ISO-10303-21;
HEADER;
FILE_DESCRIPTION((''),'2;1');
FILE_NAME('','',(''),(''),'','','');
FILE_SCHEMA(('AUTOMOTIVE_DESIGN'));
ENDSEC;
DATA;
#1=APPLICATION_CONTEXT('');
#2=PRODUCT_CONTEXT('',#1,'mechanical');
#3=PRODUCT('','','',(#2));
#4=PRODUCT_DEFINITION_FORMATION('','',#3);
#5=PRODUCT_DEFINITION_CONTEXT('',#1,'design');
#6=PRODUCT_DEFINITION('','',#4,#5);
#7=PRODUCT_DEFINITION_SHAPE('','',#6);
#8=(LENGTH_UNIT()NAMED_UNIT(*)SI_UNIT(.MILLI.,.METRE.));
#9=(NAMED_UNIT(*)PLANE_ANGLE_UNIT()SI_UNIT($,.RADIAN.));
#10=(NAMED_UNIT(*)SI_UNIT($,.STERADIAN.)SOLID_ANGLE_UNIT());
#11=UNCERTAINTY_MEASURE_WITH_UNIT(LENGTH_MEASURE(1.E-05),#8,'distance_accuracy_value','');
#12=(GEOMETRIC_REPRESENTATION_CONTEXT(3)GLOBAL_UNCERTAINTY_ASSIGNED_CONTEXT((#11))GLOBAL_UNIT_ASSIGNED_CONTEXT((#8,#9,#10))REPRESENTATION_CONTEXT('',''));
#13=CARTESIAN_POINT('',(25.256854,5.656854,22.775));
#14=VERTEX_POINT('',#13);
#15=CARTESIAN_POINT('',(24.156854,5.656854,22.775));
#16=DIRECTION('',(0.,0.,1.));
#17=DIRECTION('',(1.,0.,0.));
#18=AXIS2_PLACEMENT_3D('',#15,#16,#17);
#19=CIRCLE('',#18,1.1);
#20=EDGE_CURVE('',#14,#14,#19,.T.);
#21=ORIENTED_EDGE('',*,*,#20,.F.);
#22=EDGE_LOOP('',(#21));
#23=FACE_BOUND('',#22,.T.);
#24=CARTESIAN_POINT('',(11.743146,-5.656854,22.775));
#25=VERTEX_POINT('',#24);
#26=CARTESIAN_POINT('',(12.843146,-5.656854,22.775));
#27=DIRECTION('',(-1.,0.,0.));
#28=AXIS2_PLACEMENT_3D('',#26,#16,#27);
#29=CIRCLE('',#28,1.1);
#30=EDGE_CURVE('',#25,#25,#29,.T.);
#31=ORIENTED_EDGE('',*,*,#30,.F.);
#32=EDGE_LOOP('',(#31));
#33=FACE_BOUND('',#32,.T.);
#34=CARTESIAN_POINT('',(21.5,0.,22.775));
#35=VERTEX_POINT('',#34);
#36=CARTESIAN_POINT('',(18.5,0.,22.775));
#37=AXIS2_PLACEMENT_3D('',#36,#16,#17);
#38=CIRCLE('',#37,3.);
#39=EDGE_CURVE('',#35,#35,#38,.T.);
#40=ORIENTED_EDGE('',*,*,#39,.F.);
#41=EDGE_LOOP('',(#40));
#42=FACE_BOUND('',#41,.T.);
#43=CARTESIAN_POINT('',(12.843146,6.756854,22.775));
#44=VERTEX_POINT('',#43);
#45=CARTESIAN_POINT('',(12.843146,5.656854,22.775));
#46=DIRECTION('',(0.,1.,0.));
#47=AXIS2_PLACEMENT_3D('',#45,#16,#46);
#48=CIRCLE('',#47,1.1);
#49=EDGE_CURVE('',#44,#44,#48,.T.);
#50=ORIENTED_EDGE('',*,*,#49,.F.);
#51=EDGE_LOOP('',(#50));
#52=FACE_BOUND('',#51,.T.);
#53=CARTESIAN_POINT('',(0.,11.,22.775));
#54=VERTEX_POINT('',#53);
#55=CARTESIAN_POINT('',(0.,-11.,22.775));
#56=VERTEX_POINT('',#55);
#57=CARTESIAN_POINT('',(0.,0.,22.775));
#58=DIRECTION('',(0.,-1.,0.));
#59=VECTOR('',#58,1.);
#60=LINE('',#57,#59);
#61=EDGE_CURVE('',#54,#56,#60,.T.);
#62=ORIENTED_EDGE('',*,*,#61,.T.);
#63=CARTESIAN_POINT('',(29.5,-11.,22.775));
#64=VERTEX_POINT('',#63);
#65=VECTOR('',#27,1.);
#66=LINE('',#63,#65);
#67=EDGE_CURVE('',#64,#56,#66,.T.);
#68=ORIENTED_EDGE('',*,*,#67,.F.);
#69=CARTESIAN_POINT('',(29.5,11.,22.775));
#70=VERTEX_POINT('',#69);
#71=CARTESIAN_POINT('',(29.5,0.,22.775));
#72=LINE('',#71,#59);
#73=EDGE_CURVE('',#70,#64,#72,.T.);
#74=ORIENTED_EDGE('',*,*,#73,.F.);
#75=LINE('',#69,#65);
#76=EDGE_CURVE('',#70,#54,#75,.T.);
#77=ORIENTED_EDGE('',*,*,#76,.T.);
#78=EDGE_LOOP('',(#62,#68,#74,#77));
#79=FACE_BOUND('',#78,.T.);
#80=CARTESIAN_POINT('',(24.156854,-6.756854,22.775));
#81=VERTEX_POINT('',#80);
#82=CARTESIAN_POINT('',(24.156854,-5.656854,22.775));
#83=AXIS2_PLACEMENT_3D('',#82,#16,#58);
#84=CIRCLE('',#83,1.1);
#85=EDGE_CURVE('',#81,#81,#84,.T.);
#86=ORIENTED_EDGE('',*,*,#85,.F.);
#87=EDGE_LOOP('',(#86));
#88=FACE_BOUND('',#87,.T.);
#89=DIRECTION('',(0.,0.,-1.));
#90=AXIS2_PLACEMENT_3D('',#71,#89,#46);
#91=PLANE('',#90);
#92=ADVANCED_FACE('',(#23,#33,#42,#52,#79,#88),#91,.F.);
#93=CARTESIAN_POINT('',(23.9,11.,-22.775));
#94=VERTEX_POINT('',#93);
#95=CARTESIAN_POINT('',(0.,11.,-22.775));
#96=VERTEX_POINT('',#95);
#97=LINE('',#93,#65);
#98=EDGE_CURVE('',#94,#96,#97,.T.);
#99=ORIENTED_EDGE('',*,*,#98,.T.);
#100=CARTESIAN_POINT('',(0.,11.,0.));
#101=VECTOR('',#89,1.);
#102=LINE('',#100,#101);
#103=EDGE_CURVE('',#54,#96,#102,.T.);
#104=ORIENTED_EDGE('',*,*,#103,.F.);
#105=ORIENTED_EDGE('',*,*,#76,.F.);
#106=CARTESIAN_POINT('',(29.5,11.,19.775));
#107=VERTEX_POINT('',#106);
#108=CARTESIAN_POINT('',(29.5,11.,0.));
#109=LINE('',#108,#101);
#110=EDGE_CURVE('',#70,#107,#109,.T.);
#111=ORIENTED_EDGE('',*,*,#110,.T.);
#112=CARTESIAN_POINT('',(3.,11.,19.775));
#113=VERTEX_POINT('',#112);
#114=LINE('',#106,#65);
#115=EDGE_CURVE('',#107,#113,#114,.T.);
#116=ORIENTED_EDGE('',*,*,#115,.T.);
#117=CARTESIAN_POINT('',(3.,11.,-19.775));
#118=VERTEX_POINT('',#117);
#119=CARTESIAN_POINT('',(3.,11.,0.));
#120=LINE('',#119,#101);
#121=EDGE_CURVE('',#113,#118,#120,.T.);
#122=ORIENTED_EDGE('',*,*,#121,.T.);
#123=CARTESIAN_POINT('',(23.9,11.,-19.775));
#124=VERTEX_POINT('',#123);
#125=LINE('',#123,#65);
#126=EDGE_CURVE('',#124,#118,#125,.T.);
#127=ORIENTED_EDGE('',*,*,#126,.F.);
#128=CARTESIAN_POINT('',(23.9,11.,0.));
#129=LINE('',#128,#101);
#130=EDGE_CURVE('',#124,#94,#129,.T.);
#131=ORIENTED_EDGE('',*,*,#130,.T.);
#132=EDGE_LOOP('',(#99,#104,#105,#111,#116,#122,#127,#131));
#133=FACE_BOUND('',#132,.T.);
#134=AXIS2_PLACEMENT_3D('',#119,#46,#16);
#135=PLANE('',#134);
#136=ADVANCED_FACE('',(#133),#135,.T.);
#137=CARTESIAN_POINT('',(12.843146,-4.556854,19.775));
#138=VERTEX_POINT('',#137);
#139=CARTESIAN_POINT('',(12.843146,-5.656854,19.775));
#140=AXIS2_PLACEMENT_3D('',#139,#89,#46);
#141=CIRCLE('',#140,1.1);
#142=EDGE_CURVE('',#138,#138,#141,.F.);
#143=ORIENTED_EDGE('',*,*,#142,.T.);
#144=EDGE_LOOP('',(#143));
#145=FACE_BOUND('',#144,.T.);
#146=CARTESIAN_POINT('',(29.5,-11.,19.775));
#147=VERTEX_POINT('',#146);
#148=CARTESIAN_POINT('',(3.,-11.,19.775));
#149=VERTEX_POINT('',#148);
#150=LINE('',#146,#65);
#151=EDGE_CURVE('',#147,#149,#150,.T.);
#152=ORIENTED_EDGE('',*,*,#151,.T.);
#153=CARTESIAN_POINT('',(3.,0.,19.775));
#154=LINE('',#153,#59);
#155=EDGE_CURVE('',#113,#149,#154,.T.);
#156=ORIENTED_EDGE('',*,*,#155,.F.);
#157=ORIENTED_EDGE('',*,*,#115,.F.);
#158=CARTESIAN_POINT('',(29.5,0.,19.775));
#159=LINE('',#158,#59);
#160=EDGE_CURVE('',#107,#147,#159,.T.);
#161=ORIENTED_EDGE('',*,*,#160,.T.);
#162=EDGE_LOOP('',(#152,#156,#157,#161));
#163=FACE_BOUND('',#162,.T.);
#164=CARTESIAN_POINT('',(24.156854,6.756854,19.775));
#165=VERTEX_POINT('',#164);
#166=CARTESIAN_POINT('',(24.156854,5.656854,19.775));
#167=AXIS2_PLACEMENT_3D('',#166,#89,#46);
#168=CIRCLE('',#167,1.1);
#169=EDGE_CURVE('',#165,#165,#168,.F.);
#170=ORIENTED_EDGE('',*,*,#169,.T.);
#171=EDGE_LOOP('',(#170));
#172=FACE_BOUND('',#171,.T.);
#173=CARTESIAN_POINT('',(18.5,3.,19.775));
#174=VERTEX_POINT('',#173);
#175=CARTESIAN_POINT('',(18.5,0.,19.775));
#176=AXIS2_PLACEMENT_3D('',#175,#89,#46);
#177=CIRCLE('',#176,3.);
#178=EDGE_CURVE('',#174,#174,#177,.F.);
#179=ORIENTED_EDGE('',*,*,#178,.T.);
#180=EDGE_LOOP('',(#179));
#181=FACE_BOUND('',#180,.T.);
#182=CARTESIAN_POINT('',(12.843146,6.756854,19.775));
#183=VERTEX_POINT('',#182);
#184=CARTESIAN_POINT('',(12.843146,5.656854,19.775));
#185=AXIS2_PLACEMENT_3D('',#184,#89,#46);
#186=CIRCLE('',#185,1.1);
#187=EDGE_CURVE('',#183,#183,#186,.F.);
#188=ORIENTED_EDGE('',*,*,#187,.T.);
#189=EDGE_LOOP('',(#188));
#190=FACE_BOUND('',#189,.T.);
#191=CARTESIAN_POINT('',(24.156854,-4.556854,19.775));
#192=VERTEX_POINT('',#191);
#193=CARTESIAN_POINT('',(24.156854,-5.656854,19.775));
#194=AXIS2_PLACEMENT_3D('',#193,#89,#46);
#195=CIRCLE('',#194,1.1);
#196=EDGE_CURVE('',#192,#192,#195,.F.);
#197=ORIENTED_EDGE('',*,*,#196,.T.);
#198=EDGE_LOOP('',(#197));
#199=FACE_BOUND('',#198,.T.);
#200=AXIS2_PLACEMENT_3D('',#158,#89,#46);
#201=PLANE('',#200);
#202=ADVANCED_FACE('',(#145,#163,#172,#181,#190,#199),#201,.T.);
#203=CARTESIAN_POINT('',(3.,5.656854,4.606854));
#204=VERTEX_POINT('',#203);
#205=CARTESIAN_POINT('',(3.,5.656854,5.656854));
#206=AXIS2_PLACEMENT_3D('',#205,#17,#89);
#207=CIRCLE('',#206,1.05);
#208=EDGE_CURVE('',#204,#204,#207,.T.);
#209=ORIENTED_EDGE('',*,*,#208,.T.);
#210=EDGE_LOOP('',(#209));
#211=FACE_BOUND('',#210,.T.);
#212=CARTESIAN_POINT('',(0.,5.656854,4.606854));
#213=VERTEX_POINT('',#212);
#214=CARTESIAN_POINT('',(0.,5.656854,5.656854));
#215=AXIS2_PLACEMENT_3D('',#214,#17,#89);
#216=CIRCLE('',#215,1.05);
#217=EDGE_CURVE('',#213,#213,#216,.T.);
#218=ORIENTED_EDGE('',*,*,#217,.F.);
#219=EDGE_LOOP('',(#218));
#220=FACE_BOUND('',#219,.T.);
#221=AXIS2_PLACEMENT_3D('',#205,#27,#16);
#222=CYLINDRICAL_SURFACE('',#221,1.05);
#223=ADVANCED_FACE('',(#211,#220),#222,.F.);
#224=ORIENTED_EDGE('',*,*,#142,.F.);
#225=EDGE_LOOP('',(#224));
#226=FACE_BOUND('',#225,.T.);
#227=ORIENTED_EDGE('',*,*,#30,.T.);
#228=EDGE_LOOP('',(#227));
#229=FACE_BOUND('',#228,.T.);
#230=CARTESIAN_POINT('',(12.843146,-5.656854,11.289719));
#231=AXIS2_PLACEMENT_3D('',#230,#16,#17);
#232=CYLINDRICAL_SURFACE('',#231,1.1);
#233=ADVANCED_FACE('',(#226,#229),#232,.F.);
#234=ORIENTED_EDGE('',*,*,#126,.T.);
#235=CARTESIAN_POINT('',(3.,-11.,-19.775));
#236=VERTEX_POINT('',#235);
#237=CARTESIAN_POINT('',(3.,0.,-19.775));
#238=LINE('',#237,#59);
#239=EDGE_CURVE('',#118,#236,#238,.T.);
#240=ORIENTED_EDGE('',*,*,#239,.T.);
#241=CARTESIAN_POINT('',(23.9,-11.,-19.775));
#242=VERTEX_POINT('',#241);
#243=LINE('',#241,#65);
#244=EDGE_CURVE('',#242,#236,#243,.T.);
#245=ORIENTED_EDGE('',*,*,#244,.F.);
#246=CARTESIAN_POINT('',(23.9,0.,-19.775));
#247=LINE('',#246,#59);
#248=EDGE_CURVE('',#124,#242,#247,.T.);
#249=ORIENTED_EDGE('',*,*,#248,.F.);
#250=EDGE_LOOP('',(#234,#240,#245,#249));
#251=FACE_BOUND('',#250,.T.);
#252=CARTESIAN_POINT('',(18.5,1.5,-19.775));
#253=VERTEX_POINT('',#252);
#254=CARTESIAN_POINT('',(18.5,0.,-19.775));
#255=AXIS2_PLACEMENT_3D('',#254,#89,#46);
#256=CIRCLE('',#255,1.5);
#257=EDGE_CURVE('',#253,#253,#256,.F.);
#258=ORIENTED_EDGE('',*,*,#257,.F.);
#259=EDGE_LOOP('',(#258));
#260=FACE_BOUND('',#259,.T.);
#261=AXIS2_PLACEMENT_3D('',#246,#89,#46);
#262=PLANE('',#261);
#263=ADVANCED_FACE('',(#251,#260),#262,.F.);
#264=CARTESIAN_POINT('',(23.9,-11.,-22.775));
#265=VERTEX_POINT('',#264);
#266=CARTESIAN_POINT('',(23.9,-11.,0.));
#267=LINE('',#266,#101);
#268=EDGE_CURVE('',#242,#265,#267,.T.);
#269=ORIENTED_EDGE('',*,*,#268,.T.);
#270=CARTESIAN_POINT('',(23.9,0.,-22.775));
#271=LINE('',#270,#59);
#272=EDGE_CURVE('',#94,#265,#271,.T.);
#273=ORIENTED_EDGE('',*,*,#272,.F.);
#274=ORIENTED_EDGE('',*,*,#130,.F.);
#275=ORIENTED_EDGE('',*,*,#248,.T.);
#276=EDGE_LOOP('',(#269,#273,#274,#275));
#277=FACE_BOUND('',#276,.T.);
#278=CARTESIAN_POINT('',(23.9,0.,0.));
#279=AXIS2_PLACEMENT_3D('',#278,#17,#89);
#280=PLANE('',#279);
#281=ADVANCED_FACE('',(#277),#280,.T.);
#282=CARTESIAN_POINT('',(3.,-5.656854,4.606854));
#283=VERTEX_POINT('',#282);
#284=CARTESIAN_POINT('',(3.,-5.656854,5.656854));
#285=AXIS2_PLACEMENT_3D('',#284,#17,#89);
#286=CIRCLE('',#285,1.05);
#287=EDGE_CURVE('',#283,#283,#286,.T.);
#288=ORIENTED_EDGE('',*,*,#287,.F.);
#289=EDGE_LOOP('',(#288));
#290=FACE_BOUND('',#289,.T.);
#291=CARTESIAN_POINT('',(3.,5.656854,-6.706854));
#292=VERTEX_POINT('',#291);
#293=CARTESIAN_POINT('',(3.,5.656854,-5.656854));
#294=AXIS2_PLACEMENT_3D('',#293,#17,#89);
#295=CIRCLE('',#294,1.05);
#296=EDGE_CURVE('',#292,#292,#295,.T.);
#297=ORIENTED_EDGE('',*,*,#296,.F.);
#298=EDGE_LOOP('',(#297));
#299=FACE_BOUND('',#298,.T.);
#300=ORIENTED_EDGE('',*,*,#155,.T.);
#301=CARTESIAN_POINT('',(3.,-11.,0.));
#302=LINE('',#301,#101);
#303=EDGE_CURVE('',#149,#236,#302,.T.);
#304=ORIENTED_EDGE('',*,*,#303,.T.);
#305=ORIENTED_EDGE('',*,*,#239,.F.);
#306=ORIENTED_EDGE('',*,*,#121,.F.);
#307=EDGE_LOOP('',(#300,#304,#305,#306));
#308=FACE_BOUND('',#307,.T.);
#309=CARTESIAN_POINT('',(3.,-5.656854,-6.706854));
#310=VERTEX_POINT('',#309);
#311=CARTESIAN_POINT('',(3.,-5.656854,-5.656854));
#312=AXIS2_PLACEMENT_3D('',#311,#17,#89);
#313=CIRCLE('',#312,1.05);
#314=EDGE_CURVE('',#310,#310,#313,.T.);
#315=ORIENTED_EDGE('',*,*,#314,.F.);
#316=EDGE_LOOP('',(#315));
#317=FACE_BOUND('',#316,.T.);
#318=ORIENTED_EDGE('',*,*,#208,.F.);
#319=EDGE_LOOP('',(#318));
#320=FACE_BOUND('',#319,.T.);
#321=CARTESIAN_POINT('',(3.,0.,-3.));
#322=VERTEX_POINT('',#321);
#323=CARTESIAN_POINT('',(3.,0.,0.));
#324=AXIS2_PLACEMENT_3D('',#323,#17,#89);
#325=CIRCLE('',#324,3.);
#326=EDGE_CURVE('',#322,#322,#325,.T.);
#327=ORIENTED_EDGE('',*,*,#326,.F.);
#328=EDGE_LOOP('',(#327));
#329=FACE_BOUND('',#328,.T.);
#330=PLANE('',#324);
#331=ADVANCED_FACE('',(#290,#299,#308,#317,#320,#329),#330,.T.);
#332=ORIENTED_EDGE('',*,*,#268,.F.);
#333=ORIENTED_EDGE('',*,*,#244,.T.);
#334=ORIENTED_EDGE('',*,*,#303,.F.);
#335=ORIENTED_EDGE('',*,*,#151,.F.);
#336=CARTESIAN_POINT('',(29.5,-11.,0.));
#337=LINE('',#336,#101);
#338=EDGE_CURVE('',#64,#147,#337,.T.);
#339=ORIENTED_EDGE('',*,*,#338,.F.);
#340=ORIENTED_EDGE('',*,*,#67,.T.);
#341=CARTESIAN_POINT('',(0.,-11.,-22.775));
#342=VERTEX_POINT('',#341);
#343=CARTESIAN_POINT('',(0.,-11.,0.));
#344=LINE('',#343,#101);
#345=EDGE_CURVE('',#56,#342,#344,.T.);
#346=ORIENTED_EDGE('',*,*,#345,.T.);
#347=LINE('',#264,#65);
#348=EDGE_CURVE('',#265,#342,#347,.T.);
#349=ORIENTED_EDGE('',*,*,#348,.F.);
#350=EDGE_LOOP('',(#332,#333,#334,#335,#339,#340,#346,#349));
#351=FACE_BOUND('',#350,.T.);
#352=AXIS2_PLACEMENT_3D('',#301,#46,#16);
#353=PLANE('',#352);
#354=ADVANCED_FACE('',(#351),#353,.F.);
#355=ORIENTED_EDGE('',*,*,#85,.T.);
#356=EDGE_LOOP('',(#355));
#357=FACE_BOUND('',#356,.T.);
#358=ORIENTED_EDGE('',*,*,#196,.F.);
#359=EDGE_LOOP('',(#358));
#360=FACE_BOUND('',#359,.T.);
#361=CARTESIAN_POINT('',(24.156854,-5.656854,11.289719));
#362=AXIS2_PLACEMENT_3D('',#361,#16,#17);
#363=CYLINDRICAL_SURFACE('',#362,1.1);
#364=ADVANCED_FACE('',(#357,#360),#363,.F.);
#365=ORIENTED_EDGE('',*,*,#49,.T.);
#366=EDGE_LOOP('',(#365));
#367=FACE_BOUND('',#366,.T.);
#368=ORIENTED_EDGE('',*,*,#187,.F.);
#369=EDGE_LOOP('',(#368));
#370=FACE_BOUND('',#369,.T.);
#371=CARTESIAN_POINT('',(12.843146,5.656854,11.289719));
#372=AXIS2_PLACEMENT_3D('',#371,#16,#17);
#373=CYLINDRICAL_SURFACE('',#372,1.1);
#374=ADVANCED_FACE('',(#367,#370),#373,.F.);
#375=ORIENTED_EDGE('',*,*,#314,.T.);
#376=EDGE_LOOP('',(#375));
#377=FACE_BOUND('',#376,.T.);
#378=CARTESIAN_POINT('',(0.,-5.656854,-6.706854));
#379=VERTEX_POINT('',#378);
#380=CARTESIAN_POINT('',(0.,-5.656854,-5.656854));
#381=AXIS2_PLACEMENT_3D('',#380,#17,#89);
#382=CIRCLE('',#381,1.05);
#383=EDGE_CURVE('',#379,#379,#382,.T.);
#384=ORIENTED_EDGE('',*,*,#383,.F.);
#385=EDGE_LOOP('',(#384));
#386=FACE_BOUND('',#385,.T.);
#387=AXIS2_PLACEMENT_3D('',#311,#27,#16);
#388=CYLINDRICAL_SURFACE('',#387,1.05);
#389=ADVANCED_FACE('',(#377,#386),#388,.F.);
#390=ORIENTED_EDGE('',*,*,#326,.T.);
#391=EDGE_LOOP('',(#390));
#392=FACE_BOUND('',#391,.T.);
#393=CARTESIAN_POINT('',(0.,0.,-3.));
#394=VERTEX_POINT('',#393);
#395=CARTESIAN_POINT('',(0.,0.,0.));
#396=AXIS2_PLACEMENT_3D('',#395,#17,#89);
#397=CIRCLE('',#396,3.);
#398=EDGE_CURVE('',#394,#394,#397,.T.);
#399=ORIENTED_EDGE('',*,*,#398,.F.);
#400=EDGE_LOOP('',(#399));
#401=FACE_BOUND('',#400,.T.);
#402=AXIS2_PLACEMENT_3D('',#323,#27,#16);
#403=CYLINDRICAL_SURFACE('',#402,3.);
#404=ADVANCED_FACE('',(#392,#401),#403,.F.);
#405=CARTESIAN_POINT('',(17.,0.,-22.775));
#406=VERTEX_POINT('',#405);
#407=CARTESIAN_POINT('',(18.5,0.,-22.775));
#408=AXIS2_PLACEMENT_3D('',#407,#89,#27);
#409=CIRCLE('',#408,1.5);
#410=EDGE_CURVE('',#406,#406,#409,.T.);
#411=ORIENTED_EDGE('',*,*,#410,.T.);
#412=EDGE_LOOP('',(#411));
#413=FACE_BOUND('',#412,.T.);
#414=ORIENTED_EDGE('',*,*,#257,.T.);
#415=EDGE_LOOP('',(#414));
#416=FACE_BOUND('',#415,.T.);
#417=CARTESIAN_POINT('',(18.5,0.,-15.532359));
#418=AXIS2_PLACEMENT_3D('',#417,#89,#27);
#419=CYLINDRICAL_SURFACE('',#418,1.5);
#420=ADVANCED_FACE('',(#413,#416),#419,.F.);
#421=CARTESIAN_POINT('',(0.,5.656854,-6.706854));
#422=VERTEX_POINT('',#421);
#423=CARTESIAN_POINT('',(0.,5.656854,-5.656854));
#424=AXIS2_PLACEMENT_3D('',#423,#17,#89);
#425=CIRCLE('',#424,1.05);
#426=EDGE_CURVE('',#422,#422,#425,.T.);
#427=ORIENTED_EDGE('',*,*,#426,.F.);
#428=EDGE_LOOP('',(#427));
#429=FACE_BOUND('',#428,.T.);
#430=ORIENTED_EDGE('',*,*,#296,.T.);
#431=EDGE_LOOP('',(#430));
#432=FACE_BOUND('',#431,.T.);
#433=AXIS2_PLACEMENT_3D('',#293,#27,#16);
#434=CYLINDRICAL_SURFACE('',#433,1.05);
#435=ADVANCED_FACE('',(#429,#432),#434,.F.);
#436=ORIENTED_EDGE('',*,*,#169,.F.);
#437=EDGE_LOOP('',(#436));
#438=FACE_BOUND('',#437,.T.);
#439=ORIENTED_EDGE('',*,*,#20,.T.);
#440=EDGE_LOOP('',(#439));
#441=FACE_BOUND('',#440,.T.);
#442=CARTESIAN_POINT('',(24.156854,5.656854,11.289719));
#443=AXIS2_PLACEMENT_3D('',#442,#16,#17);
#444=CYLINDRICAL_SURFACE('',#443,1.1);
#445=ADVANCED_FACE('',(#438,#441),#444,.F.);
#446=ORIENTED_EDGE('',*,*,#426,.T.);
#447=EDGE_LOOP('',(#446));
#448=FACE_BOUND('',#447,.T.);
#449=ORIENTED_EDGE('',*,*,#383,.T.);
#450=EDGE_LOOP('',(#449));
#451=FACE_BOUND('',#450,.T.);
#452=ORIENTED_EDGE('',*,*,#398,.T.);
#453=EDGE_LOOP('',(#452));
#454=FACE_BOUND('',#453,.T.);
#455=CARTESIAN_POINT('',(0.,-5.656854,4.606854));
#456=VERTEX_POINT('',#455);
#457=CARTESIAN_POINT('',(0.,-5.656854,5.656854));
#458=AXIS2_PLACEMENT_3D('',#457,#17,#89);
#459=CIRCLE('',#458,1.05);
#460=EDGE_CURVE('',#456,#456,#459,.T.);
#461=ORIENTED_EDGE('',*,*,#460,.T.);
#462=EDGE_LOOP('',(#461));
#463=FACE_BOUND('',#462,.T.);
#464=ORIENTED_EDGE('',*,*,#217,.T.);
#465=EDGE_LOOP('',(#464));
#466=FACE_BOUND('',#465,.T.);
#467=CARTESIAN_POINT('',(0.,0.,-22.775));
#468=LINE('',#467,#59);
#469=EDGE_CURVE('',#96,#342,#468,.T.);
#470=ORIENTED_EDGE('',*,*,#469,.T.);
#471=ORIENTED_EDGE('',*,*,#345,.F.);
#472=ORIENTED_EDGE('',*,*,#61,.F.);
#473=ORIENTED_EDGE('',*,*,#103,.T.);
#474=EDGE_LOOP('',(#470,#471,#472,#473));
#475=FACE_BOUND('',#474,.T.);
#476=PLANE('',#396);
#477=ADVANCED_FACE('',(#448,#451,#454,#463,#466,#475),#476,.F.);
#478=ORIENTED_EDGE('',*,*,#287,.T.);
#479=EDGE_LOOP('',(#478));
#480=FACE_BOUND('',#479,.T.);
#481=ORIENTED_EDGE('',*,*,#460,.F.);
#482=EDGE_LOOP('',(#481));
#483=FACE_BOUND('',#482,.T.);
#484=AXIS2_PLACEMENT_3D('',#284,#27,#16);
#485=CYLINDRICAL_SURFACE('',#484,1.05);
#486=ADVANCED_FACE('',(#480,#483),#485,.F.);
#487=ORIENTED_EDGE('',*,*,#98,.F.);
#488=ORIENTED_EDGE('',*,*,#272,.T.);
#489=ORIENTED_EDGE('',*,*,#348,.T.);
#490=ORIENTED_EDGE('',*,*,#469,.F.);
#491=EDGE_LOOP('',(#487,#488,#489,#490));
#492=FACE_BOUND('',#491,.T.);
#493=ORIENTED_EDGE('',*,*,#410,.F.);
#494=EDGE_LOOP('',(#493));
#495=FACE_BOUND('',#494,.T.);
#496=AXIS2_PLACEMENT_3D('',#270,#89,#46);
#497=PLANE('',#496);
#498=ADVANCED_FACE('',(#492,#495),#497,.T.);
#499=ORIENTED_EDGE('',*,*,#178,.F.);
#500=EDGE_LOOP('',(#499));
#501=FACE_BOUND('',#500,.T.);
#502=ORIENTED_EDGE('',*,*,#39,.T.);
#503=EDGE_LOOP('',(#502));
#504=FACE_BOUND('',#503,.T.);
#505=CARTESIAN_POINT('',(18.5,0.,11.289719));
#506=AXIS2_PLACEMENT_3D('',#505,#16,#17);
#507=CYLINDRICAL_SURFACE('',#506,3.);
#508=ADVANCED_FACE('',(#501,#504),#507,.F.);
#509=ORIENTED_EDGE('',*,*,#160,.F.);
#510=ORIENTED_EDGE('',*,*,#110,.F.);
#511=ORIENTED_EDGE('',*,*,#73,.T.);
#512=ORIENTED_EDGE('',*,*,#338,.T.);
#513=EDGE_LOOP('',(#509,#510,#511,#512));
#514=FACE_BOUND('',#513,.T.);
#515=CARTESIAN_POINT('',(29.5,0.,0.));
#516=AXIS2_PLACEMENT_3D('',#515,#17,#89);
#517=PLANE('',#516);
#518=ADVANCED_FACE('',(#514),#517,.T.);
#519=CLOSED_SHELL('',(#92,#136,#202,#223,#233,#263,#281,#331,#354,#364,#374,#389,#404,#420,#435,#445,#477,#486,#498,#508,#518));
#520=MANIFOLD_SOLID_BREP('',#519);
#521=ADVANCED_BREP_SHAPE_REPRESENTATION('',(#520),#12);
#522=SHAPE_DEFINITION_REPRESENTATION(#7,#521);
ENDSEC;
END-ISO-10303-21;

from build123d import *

# Parameters (mm, degrees)
SKETCH1_W           = 39.55
SKETCH1_H           = 22
SKETCH1_R           = 1.05
SKETCH1_R_2         = 3
BOSS_EXTRUDE1_DEPTH = 3
SKETCH1_6_W         = 3
SKETCH1_6_H         = 22
BOSS_EXTRUDE2_DEPTH = 29.5
SKETCH1_7_W         = 3
SKETCH1_7_H         = 22
BOSS_EXTRUDE3_DEPTH = 23.9
SKETCH2_R           = 3
SKETCH2_R_2         = 1.1
CUT_EXTRUDE1_DEPTH  = 3
CIRPATTERN1_COUNT   = 4
SKETCH3_R           = 1.5
CUT_EXTRUDE2_DEPTH  = 3


with BuildPart() as part:
    # Sketch1 → Boss-Extrude1 (new body)
    with BuildSketch(Plane(origin=(0, 0, 0), x_dir=(0, 0, -1), z_dir=(1, 0, 0))):
        Rectangle(SKETCH1_W, SKETCH1_H)
        with Locations((-5.656854249, -5.656854249)):
            Circle(SKETCH1_R, mode=Mode.SUBTRACT)
        with Locations((5.656854249, -5.656854249)):
            Circle(SKETCH1_R, mode=Mode.SUBTRACT)
        with Locations((-5.656854249, 5.656854249)):
            Circle(SKETCH1_R, mode=Mode.SUBTRACT)
        Circle(SKETCH1_R_2, mode=Mode.SUBTRACT)
        with Locations((5.656854249, 5.656854249)):
            Circle(SKETCH1_R, mode=Mode.SUBTRACT)
    extrude(amount=BOSS_EXTRUDE1_DEPTH)

    # Sketch1<6> → Boss-Extrude2 (add)
    with BuildSketch(Plane(origin=(0, 0, 0), x_dir=(0, 0, -1), z_dir=(1, 0, 0))):
        with Locations((-21.275, 0)):
            Rectangle(SKETCH1_6_W, SKETCH1_6_H)
    extrude(amount=BOSS_EXTRUDE2_DEPTH)

    # Sketch1<7> → Boss-Extrude3 (add)
    with BuildSketch(Plane(origin=(0, 0, 0), x_dir=(0, 0, -1), z_dir=(1, 0, 0))):
        with Locations((21.275, 0)):
            Rectangle(SKETCH1_7_W, SKETCH1_7_H)
    extrude(amount=BOSS_EXTRUDE3_DEPTH)

    # Sketch2 → Cut-Extrude1 (cut)
    with BuildSketch(Plane.XY.offset(22.775)):
        with Locations((18.5, 0)):
            Circle(SKETCH2_R)
        with Locations((24.156854249, 5.656854249)):
            Circle(SKETCH2_R_2)
    cut_extrude1 = extrude(amount=-CUT_EXTRUDE1_DEPTH, mode=Mode.SUBTRACT)

    # CirPattern1: Cut-Extrude1 ×4 about axis
    cirpattern1_axis = Axis((18.5, 0, 0), (0, 0, 1))
    for i in range(1, CIRPATTERN1_COUNT):
        add(cut_extrude1.rotate(cirpattern1_axis, i * 360 / CIRPATTERN1_COUNT), mode=Mode.SUBTRACT)

    # Sketch3 → Cut-Extrude2 (cut)
    with BuildSketch(Plane(origin=(0, 0, -22.775), x_dir=(-1, 0, 0), z_dir=(0, 0, -1))):
        with Locations((-18.5, 0)):
            Circle(SKETCH3_R)
    extrude(amount=-CUT_EXTRUDE2_DEPTH, mode=Mode.SUBTRACT)


solid = part.part
